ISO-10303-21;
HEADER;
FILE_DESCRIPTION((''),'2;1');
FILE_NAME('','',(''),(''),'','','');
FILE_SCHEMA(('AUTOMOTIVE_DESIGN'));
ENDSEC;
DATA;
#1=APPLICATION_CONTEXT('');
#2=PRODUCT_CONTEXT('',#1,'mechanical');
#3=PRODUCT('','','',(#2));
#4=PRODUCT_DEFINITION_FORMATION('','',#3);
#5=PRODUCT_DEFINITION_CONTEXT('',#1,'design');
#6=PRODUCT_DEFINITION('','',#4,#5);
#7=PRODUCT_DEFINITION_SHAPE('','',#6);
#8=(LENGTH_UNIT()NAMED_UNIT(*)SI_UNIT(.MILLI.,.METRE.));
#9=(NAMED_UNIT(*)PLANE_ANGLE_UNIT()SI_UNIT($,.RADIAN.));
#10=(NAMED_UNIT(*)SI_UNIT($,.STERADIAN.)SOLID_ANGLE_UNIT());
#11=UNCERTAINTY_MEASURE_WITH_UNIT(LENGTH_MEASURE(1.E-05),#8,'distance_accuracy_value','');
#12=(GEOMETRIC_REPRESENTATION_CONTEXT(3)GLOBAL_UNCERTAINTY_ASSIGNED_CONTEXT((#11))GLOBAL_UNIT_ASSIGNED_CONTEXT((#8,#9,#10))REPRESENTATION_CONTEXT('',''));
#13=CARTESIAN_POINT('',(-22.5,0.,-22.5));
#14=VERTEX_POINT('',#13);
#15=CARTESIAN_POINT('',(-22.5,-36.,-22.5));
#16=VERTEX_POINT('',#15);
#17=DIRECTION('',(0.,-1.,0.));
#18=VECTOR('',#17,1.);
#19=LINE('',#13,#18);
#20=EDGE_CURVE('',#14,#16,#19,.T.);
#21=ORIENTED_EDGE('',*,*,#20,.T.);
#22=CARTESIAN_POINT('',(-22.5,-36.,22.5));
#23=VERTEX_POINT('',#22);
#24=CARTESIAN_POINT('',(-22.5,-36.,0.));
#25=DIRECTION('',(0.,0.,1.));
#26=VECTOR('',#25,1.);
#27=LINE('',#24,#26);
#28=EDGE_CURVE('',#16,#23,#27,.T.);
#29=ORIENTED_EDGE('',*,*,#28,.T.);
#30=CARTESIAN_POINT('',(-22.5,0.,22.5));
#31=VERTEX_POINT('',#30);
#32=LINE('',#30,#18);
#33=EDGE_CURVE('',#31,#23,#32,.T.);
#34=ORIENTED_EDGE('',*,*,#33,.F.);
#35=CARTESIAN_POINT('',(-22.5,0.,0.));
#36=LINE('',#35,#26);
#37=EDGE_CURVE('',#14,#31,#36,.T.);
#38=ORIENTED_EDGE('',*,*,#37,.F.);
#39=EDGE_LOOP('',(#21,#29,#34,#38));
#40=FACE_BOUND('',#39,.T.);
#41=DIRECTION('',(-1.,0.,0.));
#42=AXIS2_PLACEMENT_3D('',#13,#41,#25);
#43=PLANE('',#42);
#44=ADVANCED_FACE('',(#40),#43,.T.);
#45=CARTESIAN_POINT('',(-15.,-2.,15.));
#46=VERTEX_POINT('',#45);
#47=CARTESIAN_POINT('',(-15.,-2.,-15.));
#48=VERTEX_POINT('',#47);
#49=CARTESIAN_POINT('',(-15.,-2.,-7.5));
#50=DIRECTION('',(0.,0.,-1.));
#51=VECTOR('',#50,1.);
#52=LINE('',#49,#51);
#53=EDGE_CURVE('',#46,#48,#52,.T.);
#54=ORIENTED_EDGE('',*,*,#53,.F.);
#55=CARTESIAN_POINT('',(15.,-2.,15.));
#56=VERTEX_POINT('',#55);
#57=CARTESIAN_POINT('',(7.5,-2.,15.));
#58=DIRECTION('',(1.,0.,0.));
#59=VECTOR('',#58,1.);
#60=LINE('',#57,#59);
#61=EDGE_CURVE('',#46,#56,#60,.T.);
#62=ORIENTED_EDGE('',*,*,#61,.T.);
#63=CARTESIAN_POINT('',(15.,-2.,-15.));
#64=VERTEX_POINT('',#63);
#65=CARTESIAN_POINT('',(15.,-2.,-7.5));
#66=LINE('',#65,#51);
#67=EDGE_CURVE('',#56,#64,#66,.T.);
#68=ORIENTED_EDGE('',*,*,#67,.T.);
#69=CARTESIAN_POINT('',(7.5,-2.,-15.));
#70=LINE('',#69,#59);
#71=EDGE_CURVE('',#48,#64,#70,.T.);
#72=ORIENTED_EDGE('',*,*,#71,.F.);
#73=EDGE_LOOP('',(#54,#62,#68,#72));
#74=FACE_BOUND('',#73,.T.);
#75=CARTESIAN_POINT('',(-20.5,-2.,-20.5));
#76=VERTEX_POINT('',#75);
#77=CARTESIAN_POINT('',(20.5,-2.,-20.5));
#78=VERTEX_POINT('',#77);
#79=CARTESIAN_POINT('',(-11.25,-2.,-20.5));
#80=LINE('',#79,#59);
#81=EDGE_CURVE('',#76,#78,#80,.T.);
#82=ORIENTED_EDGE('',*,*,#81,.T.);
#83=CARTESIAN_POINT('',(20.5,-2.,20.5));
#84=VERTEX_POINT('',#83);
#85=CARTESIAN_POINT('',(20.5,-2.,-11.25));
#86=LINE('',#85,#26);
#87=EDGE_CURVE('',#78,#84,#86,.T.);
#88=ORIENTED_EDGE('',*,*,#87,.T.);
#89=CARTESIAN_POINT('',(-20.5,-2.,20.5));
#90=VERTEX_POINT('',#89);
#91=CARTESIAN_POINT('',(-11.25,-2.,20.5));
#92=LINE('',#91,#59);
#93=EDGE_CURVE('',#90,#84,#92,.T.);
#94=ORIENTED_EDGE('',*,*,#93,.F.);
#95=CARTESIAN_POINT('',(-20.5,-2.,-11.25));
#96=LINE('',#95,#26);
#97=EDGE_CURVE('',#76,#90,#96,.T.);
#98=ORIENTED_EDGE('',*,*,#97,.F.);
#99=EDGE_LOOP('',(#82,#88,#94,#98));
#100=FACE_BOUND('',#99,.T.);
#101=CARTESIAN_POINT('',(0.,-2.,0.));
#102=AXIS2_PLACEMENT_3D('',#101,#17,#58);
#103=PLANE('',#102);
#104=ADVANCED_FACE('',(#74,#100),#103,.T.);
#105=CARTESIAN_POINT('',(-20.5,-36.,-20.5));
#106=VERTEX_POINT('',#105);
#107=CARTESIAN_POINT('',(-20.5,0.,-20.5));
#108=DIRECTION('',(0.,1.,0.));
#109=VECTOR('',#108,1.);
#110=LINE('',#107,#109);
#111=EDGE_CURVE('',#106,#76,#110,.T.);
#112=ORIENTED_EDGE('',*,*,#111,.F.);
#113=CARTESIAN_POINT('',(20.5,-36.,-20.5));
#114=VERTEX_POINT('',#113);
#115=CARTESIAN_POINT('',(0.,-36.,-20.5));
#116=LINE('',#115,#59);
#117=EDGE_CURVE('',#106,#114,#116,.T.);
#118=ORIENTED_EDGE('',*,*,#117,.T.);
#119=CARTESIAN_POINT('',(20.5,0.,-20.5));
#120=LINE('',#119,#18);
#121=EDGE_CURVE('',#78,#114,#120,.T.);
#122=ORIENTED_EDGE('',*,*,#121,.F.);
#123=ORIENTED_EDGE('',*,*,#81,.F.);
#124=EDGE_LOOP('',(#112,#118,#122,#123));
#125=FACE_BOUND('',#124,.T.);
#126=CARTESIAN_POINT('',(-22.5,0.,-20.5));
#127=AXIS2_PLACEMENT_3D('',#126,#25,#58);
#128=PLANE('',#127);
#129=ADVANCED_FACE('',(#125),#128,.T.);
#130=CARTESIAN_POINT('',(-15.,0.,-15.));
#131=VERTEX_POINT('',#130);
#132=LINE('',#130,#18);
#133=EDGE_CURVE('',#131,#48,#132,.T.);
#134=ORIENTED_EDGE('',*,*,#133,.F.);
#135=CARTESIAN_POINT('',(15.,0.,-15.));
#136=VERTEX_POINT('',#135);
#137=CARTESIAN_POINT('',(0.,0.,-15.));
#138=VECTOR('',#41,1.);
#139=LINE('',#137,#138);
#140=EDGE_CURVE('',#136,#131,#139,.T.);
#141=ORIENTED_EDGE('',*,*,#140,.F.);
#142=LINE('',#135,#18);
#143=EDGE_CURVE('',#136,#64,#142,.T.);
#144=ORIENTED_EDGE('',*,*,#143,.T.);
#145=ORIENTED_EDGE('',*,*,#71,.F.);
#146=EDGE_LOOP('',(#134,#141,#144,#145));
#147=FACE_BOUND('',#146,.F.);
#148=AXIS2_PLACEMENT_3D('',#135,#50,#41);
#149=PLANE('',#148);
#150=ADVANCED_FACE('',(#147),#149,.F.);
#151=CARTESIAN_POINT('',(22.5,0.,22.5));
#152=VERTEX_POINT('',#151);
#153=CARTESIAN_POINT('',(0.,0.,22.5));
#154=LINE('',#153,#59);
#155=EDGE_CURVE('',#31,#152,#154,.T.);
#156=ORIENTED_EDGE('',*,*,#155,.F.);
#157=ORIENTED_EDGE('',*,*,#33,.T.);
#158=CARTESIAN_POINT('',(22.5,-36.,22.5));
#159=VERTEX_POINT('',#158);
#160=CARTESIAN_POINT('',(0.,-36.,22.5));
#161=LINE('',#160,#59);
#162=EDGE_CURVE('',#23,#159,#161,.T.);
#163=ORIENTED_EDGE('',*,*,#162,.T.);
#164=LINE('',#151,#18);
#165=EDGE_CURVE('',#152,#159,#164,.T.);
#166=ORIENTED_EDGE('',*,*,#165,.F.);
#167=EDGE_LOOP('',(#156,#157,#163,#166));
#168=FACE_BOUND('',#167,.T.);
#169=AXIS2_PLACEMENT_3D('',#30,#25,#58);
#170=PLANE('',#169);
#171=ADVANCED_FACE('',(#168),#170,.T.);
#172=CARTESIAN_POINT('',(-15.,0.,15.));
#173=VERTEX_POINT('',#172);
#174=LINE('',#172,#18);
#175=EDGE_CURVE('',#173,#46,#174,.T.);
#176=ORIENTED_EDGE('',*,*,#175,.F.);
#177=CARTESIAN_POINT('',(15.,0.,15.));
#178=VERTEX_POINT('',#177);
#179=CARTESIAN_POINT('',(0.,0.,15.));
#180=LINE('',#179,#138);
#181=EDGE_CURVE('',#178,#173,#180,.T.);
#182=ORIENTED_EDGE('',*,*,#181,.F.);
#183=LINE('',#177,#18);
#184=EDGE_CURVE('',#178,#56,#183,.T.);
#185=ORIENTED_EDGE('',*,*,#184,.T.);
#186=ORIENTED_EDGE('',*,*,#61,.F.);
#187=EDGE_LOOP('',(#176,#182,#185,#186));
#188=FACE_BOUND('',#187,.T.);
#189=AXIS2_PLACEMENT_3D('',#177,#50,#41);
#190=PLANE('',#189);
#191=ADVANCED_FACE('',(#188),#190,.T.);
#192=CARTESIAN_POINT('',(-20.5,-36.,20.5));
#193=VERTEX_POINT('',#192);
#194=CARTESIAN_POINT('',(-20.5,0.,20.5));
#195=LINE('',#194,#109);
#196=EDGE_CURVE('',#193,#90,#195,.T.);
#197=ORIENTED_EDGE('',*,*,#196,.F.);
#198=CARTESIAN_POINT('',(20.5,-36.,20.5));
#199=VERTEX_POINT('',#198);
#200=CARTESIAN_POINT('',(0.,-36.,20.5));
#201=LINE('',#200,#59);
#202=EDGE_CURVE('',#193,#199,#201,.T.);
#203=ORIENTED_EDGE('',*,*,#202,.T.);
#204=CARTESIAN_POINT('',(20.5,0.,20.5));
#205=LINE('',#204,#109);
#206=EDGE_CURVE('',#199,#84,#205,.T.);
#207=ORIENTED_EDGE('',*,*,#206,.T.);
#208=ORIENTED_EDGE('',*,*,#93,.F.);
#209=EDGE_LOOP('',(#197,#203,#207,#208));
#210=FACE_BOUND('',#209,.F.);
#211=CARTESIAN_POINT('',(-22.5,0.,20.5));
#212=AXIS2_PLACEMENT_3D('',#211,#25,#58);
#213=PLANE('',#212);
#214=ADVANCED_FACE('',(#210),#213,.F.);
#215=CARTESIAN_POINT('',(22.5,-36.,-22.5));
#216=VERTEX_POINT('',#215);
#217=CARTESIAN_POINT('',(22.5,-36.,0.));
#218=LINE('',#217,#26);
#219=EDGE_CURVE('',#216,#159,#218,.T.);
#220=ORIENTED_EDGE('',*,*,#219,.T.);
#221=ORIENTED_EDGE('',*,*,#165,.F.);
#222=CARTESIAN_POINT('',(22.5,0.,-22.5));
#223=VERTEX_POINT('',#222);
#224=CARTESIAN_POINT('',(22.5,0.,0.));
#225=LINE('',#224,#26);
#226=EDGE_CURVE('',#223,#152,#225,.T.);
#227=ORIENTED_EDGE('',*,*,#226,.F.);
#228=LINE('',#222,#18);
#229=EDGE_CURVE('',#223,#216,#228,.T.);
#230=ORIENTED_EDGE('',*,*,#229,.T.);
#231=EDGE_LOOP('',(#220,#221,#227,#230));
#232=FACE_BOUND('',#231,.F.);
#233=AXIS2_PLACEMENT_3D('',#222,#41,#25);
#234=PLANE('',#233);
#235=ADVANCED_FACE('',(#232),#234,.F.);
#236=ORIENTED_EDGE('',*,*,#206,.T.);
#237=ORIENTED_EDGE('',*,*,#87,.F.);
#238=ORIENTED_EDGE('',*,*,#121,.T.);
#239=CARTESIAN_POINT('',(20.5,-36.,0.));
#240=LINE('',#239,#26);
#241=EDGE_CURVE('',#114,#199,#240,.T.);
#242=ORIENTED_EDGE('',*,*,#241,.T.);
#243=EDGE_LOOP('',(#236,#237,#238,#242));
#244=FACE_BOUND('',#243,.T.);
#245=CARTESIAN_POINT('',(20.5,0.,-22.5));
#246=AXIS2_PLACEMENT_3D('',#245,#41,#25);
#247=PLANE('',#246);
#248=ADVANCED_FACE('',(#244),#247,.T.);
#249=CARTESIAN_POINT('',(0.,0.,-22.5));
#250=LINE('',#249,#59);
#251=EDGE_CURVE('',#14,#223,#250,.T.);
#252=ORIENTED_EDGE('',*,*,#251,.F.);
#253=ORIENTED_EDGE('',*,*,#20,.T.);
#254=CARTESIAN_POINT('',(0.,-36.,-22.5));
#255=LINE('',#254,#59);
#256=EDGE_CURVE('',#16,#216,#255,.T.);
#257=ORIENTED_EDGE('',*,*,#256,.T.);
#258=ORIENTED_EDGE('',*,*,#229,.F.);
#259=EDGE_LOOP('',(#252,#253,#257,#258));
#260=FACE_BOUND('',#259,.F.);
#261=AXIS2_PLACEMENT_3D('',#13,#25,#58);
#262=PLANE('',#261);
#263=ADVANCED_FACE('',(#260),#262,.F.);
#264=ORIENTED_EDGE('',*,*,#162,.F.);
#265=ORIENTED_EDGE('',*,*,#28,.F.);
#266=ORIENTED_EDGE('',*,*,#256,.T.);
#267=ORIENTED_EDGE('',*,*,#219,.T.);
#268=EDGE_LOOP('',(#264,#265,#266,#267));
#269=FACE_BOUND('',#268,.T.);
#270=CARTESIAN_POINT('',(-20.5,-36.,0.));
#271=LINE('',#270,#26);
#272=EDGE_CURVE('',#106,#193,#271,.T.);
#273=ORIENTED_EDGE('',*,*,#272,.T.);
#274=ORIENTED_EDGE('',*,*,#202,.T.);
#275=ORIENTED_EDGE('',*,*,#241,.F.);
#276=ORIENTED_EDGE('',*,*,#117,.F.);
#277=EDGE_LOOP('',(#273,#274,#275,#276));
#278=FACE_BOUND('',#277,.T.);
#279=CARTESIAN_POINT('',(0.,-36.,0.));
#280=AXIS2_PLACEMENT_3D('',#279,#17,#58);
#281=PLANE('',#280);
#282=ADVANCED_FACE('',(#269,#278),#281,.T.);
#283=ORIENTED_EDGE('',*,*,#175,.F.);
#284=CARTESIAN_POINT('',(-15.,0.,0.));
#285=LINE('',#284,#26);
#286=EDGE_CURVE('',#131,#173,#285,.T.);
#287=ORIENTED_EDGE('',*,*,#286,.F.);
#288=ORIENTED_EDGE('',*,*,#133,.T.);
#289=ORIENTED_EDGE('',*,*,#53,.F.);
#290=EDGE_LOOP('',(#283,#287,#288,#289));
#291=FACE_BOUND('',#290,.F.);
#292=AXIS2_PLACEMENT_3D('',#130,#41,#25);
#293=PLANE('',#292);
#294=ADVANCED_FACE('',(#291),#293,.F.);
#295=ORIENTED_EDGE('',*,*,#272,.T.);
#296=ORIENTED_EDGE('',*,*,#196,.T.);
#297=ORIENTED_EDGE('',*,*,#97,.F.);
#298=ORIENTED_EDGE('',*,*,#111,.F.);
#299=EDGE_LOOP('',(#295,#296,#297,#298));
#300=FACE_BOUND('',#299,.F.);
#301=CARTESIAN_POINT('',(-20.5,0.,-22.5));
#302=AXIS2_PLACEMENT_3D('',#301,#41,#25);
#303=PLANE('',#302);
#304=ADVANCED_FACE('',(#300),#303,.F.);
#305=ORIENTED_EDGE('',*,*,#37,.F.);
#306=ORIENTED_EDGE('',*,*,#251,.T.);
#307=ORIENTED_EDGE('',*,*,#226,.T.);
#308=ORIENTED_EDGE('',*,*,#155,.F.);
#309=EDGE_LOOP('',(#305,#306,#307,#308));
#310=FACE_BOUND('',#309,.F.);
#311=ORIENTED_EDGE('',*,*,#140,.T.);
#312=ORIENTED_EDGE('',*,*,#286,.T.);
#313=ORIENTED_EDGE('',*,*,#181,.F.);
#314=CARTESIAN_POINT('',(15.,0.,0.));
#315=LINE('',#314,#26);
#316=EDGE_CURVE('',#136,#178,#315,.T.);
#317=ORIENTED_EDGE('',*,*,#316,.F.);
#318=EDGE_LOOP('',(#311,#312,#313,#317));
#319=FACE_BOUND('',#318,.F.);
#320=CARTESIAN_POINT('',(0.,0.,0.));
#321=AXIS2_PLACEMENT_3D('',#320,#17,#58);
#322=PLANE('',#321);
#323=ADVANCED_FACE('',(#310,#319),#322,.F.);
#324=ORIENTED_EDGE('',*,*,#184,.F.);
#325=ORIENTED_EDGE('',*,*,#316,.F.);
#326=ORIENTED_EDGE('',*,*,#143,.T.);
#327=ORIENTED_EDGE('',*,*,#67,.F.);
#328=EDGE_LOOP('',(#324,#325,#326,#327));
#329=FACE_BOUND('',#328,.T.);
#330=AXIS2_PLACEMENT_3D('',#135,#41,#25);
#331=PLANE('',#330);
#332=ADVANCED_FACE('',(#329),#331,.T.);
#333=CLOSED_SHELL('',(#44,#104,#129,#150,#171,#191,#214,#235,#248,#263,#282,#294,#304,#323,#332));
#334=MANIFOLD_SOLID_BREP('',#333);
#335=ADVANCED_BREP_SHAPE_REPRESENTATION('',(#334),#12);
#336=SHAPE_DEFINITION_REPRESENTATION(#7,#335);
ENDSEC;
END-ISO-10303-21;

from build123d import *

# Parameters (mm, degrees)
F0_W     = 45
F0_H     = 45
F1_DEPTH = 36
F2_T     = -2
F3_W     = 30
F3_H     = 30
F4_DEPTH = 25


with BuildPart() as f1:
    # F0 (on Front) → F1 (new body)
    with BuildSketch(Plane.XZ):
        Rectangle(F0_W, F0_H)
    extrude(amount=F1_DEPTH)

    # F2
    f2_openings = [f1.faces().sort_by_distance(p)[0] for p in [
        (0, -36, 0),
    ]]
    offset(amount=F2_T, openings=f2_openings)

    # F3 (on face) → F4 (cut)
    with BuildSketch(Plane(origin=(0, 0, 0), x_dir=(-1, 0, 0), z_dir=(0, 1, 0))):
        Rectangle(F3_W, F3_H)
    extrude(amount=-F4_DEPTH, mode=Mode.SUBTRACT)


solid = f1.part
